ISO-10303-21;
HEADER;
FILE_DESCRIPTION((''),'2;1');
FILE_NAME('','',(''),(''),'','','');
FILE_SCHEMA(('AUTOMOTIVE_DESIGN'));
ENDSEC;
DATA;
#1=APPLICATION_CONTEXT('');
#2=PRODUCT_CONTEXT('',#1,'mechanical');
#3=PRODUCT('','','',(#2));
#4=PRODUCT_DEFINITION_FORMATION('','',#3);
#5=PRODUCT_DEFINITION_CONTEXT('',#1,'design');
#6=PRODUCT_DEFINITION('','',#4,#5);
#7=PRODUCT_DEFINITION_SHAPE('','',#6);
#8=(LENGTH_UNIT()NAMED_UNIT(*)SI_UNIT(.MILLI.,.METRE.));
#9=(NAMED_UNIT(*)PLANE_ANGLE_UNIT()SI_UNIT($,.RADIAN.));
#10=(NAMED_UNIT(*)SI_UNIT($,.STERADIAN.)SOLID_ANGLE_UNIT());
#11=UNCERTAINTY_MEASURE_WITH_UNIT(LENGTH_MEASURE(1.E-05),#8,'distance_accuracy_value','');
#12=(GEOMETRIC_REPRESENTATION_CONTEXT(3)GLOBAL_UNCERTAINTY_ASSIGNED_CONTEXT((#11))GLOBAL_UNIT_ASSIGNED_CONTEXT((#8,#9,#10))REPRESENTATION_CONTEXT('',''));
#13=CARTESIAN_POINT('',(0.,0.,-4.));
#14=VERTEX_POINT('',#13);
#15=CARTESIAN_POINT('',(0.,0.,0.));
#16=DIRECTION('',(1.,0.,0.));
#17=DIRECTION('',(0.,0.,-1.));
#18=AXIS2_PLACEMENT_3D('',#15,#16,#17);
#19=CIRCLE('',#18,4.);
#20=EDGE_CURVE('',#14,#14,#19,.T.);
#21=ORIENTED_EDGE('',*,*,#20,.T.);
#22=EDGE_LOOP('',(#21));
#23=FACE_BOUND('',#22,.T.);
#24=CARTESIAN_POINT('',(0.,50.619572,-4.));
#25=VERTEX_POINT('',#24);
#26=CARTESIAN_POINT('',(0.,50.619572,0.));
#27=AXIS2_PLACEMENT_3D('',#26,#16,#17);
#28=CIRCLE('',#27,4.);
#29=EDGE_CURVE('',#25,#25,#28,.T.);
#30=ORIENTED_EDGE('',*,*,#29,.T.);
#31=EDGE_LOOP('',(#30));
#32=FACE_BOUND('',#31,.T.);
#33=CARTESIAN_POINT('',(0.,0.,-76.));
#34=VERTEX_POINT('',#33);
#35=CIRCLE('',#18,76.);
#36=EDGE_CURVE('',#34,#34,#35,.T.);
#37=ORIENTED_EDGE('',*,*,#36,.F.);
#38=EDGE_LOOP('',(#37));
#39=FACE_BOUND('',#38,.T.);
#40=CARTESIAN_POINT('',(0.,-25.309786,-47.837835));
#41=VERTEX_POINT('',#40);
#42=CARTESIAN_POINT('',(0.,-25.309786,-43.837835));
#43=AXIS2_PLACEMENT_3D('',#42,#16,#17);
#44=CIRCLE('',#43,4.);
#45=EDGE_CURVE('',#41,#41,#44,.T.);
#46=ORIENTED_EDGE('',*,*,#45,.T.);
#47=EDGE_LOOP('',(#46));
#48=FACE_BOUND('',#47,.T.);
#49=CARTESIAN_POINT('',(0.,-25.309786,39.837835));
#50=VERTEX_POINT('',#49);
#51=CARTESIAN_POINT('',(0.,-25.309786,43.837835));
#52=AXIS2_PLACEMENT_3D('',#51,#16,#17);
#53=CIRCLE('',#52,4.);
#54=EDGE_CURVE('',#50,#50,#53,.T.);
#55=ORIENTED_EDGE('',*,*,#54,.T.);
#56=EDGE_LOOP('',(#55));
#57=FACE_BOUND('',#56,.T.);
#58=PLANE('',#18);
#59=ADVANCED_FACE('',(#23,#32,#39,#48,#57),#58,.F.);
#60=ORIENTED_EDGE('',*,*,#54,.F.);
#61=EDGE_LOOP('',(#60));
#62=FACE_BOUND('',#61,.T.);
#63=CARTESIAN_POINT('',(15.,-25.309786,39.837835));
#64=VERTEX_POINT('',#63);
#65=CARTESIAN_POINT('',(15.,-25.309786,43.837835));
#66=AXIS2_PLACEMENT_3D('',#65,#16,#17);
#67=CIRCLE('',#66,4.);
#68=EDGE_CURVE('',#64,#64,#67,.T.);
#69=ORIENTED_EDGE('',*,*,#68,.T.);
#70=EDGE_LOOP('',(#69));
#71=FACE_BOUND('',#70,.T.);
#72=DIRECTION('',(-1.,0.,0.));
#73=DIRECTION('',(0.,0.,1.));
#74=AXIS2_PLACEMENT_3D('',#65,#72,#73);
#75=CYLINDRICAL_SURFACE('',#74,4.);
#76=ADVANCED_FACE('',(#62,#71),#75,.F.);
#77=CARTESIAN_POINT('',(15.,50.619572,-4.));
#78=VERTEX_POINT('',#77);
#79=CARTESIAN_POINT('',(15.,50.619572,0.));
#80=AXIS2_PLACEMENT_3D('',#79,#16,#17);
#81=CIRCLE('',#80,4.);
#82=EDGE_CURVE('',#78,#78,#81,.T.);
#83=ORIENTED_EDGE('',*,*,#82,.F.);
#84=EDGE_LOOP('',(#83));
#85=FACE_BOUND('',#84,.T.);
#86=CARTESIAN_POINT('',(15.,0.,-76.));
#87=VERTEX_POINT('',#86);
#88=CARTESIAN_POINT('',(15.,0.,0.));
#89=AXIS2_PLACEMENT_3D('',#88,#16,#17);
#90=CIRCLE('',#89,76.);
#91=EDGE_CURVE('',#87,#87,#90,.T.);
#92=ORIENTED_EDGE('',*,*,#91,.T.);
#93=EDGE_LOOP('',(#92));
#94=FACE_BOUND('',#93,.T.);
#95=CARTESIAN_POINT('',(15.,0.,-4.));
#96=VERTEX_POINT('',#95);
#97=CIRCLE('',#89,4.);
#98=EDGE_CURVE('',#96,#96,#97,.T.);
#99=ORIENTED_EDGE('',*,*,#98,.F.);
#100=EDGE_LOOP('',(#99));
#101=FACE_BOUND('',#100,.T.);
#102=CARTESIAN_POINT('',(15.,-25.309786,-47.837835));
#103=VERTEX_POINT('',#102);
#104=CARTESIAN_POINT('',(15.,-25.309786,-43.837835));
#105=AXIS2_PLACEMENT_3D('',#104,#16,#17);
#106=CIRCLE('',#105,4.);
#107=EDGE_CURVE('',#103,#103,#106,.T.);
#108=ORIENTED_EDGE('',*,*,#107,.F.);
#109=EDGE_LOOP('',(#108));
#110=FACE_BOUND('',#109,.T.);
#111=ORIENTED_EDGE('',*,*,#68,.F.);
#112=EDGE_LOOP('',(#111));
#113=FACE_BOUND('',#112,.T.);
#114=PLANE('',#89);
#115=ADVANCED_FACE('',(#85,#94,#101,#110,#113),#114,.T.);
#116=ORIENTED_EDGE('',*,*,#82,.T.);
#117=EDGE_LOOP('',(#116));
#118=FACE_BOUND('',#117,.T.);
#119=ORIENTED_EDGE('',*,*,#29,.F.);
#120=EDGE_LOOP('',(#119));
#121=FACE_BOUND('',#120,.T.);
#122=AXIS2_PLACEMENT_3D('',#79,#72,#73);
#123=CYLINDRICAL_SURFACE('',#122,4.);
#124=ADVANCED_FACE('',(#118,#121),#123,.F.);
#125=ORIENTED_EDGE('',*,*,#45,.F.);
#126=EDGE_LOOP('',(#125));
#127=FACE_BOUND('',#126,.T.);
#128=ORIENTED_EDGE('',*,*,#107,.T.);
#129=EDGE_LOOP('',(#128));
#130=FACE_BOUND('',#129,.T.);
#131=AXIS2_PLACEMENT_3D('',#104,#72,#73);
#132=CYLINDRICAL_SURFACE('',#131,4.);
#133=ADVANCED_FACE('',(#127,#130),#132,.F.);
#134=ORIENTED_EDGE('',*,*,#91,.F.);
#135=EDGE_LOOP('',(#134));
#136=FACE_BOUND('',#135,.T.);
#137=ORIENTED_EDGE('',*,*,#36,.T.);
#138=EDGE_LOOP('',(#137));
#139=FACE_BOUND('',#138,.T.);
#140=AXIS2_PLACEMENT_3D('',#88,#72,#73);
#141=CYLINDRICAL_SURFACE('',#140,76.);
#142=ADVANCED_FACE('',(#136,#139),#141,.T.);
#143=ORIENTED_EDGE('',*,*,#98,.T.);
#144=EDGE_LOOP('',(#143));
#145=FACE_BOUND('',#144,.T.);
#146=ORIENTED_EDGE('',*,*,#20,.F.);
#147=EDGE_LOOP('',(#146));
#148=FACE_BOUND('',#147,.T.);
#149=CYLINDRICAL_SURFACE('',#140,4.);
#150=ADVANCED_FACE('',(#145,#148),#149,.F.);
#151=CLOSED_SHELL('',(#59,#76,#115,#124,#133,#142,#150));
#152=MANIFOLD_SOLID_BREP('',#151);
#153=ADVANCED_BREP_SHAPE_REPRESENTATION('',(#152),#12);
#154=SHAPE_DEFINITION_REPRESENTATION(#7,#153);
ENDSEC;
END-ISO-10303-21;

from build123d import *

# Parameters (mm, degrees)
SKETCH1_R           = 76
SKETCH1_R_2         = 4
BOSS_EXTRUDE1_DEPTH = 15


with BuildPart() as part:
    # Sketch1 → Boss-Extrude1 (new body)
    with BuildSketch(Plane(origin=(0, 0, 0), x_dir=(0, 0, -1), z_dir=(1, 0, 0))):
        Circle(SKETCH1_R)
        Circle(SKETCH1_R_2, mode=Mode.SUBTRACT)
        with Locations((0, 50.619572212)):
            Circle(SKETCH1_R_2, mode=Mode.SUBTRACT)
        with Locations((43.837835464, -25.309786106)):
            Circle(SKETCH1_R_2, mode=Mode.SUBTRACT)
        with Locations((-43.837835464, -25.309786106)):
            Circle(SKETCH1_R_2, mode=Mode.SUBTRACT)
    extrude(amount=BOSS_EXTRUDE1_DEPTH)


solid = part.part
